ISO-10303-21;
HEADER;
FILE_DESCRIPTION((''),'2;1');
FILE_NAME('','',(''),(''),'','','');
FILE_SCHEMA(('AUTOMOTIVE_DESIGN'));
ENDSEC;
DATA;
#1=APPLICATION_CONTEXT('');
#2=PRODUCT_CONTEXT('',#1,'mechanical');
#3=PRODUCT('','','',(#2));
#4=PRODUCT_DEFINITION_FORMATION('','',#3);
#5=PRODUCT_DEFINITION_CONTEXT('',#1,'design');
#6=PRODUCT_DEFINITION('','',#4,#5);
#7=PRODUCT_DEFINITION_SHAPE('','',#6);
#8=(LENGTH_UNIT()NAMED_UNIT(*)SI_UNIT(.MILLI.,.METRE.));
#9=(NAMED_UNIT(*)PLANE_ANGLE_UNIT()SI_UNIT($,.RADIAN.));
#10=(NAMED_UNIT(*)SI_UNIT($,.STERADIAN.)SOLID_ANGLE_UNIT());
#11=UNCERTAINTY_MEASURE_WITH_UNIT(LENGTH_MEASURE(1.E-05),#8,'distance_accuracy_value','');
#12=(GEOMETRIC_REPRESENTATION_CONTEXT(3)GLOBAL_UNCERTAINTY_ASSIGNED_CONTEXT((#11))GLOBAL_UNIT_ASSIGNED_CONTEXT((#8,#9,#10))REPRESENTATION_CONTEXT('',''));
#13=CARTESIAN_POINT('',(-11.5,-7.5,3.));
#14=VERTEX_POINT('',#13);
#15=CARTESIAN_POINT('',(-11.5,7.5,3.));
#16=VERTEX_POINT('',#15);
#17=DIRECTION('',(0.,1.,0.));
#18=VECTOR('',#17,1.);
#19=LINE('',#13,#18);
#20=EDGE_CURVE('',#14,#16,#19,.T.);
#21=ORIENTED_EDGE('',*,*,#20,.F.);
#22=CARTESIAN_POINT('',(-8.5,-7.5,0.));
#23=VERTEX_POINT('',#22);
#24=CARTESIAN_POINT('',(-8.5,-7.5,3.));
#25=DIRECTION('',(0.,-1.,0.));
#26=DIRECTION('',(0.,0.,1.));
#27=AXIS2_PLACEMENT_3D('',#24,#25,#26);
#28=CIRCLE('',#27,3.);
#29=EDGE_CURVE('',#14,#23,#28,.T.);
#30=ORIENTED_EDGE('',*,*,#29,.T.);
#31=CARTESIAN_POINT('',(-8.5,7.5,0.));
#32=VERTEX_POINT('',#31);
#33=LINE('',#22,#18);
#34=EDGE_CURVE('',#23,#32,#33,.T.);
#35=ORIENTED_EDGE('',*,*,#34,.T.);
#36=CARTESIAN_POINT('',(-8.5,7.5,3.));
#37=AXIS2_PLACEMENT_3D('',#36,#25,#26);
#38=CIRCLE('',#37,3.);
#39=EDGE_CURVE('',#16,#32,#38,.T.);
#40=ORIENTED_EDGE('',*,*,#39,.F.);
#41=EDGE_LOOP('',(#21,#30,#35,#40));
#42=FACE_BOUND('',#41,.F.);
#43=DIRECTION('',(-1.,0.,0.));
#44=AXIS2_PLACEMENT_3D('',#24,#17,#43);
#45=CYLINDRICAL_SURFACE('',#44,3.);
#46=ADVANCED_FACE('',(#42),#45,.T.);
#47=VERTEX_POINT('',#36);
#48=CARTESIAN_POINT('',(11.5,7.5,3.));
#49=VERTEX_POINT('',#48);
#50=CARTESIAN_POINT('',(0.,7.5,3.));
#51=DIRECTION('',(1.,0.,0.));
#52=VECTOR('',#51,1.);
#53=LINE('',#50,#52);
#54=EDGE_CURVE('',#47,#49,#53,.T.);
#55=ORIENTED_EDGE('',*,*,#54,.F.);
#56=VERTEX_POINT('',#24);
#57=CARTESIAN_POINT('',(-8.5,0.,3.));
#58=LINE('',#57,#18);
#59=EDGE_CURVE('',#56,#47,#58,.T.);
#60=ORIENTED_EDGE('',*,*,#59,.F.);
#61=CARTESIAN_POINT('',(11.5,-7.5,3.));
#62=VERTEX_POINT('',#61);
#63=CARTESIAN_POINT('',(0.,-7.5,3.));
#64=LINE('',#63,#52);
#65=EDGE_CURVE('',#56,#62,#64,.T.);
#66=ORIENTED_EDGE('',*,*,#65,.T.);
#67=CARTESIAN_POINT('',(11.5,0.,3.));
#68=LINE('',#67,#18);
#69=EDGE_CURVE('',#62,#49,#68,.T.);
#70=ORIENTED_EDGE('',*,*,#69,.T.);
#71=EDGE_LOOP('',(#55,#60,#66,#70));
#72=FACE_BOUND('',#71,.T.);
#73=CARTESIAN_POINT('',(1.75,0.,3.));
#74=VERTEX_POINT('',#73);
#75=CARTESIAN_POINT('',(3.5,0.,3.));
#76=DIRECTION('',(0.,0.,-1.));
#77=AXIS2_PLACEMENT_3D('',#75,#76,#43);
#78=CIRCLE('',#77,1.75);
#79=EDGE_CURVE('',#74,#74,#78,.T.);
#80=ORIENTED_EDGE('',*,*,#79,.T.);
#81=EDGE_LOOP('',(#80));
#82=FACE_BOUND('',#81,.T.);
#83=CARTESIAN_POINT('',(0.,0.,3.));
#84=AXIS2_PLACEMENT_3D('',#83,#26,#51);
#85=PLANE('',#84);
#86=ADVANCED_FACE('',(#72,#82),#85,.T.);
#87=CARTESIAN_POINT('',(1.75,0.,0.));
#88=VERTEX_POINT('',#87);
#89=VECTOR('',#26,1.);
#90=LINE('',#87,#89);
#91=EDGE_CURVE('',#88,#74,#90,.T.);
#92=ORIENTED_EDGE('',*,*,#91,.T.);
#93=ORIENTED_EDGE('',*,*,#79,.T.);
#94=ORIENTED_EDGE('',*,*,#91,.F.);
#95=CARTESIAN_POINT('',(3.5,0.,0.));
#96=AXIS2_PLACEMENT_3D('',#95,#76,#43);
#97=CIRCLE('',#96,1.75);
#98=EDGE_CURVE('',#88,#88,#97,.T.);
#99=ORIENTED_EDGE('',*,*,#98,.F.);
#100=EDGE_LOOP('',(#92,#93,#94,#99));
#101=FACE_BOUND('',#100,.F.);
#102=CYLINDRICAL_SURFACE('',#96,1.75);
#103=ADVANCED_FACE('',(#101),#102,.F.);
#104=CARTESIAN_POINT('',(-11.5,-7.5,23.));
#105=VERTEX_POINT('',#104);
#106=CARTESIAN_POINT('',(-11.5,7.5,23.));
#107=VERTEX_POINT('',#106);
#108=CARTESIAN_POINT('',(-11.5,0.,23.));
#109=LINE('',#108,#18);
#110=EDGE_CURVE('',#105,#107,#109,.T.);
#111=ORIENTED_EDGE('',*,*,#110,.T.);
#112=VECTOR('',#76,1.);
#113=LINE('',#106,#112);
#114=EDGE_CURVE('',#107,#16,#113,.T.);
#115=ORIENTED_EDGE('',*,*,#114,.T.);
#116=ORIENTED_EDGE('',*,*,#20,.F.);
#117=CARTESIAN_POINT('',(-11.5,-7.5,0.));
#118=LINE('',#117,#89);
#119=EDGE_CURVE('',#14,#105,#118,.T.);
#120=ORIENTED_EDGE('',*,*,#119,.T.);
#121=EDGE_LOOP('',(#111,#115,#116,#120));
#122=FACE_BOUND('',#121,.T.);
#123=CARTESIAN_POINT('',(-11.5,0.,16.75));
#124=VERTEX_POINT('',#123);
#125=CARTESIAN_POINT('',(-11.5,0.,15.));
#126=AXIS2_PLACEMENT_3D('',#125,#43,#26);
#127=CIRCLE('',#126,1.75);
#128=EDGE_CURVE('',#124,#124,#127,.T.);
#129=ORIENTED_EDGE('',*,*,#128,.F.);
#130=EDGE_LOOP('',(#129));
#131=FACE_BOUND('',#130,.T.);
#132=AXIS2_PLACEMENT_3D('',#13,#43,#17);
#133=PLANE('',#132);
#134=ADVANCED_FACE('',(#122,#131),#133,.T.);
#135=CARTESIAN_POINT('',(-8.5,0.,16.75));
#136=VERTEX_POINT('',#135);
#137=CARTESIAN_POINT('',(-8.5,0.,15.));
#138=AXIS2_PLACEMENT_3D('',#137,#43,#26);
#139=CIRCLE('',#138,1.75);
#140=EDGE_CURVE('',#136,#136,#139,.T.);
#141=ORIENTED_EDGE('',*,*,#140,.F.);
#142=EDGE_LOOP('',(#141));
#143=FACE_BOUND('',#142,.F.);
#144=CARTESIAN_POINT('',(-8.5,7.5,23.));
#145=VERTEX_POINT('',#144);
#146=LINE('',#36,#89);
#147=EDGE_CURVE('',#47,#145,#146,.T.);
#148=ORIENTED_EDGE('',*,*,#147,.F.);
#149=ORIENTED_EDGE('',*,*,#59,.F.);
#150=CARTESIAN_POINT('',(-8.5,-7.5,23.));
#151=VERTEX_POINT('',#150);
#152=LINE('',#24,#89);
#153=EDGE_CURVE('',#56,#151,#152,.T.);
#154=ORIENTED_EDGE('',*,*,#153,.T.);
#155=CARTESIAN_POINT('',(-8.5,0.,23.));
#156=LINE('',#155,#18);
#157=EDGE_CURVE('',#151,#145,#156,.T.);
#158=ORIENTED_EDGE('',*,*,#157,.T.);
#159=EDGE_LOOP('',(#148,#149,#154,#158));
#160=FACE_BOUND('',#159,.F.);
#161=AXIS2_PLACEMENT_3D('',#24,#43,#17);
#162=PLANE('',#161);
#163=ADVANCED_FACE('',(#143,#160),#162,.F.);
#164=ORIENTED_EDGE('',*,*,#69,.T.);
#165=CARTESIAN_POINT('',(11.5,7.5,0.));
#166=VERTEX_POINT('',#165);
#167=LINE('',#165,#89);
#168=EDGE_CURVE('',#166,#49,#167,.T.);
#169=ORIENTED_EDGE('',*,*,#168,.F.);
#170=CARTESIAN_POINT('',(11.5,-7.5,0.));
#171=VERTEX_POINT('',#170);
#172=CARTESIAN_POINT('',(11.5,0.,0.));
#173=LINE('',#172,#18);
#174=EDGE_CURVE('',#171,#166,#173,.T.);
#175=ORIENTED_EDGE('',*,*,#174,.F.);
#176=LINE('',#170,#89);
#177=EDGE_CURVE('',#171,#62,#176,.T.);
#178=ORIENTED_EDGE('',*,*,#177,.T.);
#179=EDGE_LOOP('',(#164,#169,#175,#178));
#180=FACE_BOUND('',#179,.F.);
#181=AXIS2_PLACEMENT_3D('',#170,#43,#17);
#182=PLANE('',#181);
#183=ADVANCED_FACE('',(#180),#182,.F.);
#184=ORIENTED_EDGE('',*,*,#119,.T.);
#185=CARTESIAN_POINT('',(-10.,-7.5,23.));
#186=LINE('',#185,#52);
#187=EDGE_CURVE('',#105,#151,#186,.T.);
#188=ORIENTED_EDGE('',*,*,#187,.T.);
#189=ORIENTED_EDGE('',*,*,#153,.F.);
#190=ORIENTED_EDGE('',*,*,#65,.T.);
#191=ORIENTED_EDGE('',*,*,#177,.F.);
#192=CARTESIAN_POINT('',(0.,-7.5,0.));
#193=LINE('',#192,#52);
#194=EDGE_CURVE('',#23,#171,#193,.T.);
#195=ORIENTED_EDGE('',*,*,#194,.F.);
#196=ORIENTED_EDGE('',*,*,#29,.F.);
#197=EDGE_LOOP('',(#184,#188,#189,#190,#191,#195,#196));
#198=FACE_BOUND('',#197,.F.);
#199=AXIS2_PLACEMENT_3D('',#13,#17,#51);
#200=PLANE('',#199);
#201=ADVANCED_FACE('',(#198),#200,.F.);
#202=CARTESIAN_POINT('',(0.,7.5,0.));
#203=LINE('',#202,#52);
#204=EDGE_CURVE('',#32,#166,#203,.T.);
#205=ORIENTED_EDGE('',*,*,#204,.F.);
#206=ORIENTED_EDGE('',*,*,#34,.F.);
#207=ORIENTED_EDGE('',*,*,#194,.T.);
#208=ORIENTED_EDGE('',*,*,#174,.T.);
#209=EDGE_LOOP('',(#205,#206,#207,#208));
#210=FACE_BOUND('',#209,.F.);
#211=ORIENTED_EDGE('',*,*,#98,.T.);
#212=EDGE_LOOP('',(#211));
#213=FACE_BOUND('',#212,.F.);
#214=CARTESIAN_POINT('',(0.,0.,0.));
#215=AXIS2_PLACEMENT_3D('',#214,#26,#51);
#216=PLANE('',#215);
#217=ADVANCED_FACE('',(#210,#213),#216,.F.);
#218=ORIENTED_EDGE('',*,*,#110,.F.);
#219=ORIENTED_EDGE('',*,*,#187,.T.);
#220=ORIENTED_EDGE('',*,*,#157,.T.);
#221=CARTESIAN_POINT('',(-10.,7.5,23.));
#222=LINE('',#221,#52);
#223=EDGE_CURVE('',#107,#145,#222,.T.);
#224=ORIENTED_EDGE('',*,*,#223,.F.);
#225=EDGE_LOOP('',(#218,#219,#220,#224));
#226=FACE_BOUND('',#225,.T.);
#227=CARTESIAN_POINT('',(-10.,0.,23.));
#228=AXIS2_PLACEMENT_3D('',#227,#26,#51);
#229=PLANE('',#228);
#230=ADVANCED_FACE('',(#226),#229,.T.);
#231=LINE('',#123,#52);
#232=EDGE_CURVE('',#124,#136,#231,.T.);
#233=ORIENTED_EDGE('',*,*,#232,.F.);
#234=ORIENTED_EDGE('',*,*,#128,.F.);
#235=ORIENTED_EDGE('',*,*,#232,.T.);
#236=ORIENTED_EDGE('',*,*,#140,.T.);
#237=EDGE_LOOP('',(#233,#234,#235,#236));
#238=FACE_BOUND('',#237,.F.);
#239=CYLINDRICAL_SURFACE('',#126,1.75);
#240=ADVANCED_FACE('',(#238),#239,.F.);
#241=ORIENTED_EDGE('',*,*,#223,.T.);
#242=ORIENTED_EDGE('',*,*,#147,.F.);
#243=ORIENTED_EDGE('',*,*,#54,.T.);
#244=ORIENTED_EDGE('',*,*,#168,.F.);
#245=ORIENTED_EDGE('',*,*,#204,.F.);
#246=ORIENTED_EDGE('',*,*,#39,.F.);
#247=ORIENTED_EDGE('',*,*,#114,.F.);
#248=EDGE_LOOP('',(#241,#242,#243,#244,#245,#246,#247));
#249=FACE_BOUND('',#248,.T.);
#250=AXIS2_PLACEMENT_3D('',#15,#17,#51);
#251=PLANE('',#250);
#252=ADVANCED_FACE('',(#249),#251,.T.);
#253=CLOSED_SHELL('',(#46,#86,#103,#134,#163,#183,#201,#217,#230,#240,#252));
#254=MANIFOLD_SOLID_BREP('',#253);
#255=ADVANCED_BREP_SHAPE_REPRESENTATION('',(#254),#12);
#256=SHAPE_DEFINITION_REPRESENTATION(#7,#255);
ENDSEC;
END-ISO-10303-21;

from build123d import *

# Parameters (mm, degrees)
SKETCH1_W           = 23
SKETCH1_H           = 15
BOSS_EXTRUDE1_DEPTH = 3
SKETCH10_W          = 3
SKETCH10_H          = 15
BOSS_EXTRUDE2_DEPTH = 20
SKETCH13_R          = 1.75
CUT_EXTRUDE3_DEPTH  = 24
SKETCH14_R          = 1.75
CUT_EXTRUDE4_DEPTH  = 24
FILLET1_R           = 3


with BuildPart() as part:
    # Sketch1 → Boss-Extrude1 (new body)
    with BuildSketch(Plane.XY):
        Rectangle(SKETCH1_W, SKETCH1_H)
    extrude(amount=BOSS_EXTRUDE1_DEPTH)

    # Sketch10 → Boss-Extrude2 (add)
    with BuildSketch(Plane.XY.offset(3)):
        with Locations((-10, 0)):
            Rectangle(SKETCH10_W, SKETCH10_H)
    extrude(amount=BOSS_EXTRUDE2_DEPTH)

    # Sketch13 → Cut-Extrude3 (cut, through all)
    with BuildSketch(Plane(origin=(0, 0, 0), x_dir=(-1, 0, 0), z_dir=(0, 0, -1))):
        with Locations((-3.5, 0)):
            Circle(SKETCH13_R)
    extrude(amount=-CUT_EXTRUDE3_DEPTH, mode=Mode.SUBTRACT)

    # Sketch14 → Cut-Extrude4 (cut, through all)
    with BuildSketch(Plane.ZY.offset(11.5)):
        with Locations((15, 0)):
            Circle(SKETCH14_R)
    extrude(amount=-CUT_EXTRUDE4_DEPTH, mode=Mode.SUBTRACT)

    # Fillet1
    fillet1_edges = [part.edges().sort_by_distance(p)[0] for p in [
        (-11.5, 0, 0),
    ]]
    fillet(fillet1_edges, radius=FILLET1_R)


solid = part.part
